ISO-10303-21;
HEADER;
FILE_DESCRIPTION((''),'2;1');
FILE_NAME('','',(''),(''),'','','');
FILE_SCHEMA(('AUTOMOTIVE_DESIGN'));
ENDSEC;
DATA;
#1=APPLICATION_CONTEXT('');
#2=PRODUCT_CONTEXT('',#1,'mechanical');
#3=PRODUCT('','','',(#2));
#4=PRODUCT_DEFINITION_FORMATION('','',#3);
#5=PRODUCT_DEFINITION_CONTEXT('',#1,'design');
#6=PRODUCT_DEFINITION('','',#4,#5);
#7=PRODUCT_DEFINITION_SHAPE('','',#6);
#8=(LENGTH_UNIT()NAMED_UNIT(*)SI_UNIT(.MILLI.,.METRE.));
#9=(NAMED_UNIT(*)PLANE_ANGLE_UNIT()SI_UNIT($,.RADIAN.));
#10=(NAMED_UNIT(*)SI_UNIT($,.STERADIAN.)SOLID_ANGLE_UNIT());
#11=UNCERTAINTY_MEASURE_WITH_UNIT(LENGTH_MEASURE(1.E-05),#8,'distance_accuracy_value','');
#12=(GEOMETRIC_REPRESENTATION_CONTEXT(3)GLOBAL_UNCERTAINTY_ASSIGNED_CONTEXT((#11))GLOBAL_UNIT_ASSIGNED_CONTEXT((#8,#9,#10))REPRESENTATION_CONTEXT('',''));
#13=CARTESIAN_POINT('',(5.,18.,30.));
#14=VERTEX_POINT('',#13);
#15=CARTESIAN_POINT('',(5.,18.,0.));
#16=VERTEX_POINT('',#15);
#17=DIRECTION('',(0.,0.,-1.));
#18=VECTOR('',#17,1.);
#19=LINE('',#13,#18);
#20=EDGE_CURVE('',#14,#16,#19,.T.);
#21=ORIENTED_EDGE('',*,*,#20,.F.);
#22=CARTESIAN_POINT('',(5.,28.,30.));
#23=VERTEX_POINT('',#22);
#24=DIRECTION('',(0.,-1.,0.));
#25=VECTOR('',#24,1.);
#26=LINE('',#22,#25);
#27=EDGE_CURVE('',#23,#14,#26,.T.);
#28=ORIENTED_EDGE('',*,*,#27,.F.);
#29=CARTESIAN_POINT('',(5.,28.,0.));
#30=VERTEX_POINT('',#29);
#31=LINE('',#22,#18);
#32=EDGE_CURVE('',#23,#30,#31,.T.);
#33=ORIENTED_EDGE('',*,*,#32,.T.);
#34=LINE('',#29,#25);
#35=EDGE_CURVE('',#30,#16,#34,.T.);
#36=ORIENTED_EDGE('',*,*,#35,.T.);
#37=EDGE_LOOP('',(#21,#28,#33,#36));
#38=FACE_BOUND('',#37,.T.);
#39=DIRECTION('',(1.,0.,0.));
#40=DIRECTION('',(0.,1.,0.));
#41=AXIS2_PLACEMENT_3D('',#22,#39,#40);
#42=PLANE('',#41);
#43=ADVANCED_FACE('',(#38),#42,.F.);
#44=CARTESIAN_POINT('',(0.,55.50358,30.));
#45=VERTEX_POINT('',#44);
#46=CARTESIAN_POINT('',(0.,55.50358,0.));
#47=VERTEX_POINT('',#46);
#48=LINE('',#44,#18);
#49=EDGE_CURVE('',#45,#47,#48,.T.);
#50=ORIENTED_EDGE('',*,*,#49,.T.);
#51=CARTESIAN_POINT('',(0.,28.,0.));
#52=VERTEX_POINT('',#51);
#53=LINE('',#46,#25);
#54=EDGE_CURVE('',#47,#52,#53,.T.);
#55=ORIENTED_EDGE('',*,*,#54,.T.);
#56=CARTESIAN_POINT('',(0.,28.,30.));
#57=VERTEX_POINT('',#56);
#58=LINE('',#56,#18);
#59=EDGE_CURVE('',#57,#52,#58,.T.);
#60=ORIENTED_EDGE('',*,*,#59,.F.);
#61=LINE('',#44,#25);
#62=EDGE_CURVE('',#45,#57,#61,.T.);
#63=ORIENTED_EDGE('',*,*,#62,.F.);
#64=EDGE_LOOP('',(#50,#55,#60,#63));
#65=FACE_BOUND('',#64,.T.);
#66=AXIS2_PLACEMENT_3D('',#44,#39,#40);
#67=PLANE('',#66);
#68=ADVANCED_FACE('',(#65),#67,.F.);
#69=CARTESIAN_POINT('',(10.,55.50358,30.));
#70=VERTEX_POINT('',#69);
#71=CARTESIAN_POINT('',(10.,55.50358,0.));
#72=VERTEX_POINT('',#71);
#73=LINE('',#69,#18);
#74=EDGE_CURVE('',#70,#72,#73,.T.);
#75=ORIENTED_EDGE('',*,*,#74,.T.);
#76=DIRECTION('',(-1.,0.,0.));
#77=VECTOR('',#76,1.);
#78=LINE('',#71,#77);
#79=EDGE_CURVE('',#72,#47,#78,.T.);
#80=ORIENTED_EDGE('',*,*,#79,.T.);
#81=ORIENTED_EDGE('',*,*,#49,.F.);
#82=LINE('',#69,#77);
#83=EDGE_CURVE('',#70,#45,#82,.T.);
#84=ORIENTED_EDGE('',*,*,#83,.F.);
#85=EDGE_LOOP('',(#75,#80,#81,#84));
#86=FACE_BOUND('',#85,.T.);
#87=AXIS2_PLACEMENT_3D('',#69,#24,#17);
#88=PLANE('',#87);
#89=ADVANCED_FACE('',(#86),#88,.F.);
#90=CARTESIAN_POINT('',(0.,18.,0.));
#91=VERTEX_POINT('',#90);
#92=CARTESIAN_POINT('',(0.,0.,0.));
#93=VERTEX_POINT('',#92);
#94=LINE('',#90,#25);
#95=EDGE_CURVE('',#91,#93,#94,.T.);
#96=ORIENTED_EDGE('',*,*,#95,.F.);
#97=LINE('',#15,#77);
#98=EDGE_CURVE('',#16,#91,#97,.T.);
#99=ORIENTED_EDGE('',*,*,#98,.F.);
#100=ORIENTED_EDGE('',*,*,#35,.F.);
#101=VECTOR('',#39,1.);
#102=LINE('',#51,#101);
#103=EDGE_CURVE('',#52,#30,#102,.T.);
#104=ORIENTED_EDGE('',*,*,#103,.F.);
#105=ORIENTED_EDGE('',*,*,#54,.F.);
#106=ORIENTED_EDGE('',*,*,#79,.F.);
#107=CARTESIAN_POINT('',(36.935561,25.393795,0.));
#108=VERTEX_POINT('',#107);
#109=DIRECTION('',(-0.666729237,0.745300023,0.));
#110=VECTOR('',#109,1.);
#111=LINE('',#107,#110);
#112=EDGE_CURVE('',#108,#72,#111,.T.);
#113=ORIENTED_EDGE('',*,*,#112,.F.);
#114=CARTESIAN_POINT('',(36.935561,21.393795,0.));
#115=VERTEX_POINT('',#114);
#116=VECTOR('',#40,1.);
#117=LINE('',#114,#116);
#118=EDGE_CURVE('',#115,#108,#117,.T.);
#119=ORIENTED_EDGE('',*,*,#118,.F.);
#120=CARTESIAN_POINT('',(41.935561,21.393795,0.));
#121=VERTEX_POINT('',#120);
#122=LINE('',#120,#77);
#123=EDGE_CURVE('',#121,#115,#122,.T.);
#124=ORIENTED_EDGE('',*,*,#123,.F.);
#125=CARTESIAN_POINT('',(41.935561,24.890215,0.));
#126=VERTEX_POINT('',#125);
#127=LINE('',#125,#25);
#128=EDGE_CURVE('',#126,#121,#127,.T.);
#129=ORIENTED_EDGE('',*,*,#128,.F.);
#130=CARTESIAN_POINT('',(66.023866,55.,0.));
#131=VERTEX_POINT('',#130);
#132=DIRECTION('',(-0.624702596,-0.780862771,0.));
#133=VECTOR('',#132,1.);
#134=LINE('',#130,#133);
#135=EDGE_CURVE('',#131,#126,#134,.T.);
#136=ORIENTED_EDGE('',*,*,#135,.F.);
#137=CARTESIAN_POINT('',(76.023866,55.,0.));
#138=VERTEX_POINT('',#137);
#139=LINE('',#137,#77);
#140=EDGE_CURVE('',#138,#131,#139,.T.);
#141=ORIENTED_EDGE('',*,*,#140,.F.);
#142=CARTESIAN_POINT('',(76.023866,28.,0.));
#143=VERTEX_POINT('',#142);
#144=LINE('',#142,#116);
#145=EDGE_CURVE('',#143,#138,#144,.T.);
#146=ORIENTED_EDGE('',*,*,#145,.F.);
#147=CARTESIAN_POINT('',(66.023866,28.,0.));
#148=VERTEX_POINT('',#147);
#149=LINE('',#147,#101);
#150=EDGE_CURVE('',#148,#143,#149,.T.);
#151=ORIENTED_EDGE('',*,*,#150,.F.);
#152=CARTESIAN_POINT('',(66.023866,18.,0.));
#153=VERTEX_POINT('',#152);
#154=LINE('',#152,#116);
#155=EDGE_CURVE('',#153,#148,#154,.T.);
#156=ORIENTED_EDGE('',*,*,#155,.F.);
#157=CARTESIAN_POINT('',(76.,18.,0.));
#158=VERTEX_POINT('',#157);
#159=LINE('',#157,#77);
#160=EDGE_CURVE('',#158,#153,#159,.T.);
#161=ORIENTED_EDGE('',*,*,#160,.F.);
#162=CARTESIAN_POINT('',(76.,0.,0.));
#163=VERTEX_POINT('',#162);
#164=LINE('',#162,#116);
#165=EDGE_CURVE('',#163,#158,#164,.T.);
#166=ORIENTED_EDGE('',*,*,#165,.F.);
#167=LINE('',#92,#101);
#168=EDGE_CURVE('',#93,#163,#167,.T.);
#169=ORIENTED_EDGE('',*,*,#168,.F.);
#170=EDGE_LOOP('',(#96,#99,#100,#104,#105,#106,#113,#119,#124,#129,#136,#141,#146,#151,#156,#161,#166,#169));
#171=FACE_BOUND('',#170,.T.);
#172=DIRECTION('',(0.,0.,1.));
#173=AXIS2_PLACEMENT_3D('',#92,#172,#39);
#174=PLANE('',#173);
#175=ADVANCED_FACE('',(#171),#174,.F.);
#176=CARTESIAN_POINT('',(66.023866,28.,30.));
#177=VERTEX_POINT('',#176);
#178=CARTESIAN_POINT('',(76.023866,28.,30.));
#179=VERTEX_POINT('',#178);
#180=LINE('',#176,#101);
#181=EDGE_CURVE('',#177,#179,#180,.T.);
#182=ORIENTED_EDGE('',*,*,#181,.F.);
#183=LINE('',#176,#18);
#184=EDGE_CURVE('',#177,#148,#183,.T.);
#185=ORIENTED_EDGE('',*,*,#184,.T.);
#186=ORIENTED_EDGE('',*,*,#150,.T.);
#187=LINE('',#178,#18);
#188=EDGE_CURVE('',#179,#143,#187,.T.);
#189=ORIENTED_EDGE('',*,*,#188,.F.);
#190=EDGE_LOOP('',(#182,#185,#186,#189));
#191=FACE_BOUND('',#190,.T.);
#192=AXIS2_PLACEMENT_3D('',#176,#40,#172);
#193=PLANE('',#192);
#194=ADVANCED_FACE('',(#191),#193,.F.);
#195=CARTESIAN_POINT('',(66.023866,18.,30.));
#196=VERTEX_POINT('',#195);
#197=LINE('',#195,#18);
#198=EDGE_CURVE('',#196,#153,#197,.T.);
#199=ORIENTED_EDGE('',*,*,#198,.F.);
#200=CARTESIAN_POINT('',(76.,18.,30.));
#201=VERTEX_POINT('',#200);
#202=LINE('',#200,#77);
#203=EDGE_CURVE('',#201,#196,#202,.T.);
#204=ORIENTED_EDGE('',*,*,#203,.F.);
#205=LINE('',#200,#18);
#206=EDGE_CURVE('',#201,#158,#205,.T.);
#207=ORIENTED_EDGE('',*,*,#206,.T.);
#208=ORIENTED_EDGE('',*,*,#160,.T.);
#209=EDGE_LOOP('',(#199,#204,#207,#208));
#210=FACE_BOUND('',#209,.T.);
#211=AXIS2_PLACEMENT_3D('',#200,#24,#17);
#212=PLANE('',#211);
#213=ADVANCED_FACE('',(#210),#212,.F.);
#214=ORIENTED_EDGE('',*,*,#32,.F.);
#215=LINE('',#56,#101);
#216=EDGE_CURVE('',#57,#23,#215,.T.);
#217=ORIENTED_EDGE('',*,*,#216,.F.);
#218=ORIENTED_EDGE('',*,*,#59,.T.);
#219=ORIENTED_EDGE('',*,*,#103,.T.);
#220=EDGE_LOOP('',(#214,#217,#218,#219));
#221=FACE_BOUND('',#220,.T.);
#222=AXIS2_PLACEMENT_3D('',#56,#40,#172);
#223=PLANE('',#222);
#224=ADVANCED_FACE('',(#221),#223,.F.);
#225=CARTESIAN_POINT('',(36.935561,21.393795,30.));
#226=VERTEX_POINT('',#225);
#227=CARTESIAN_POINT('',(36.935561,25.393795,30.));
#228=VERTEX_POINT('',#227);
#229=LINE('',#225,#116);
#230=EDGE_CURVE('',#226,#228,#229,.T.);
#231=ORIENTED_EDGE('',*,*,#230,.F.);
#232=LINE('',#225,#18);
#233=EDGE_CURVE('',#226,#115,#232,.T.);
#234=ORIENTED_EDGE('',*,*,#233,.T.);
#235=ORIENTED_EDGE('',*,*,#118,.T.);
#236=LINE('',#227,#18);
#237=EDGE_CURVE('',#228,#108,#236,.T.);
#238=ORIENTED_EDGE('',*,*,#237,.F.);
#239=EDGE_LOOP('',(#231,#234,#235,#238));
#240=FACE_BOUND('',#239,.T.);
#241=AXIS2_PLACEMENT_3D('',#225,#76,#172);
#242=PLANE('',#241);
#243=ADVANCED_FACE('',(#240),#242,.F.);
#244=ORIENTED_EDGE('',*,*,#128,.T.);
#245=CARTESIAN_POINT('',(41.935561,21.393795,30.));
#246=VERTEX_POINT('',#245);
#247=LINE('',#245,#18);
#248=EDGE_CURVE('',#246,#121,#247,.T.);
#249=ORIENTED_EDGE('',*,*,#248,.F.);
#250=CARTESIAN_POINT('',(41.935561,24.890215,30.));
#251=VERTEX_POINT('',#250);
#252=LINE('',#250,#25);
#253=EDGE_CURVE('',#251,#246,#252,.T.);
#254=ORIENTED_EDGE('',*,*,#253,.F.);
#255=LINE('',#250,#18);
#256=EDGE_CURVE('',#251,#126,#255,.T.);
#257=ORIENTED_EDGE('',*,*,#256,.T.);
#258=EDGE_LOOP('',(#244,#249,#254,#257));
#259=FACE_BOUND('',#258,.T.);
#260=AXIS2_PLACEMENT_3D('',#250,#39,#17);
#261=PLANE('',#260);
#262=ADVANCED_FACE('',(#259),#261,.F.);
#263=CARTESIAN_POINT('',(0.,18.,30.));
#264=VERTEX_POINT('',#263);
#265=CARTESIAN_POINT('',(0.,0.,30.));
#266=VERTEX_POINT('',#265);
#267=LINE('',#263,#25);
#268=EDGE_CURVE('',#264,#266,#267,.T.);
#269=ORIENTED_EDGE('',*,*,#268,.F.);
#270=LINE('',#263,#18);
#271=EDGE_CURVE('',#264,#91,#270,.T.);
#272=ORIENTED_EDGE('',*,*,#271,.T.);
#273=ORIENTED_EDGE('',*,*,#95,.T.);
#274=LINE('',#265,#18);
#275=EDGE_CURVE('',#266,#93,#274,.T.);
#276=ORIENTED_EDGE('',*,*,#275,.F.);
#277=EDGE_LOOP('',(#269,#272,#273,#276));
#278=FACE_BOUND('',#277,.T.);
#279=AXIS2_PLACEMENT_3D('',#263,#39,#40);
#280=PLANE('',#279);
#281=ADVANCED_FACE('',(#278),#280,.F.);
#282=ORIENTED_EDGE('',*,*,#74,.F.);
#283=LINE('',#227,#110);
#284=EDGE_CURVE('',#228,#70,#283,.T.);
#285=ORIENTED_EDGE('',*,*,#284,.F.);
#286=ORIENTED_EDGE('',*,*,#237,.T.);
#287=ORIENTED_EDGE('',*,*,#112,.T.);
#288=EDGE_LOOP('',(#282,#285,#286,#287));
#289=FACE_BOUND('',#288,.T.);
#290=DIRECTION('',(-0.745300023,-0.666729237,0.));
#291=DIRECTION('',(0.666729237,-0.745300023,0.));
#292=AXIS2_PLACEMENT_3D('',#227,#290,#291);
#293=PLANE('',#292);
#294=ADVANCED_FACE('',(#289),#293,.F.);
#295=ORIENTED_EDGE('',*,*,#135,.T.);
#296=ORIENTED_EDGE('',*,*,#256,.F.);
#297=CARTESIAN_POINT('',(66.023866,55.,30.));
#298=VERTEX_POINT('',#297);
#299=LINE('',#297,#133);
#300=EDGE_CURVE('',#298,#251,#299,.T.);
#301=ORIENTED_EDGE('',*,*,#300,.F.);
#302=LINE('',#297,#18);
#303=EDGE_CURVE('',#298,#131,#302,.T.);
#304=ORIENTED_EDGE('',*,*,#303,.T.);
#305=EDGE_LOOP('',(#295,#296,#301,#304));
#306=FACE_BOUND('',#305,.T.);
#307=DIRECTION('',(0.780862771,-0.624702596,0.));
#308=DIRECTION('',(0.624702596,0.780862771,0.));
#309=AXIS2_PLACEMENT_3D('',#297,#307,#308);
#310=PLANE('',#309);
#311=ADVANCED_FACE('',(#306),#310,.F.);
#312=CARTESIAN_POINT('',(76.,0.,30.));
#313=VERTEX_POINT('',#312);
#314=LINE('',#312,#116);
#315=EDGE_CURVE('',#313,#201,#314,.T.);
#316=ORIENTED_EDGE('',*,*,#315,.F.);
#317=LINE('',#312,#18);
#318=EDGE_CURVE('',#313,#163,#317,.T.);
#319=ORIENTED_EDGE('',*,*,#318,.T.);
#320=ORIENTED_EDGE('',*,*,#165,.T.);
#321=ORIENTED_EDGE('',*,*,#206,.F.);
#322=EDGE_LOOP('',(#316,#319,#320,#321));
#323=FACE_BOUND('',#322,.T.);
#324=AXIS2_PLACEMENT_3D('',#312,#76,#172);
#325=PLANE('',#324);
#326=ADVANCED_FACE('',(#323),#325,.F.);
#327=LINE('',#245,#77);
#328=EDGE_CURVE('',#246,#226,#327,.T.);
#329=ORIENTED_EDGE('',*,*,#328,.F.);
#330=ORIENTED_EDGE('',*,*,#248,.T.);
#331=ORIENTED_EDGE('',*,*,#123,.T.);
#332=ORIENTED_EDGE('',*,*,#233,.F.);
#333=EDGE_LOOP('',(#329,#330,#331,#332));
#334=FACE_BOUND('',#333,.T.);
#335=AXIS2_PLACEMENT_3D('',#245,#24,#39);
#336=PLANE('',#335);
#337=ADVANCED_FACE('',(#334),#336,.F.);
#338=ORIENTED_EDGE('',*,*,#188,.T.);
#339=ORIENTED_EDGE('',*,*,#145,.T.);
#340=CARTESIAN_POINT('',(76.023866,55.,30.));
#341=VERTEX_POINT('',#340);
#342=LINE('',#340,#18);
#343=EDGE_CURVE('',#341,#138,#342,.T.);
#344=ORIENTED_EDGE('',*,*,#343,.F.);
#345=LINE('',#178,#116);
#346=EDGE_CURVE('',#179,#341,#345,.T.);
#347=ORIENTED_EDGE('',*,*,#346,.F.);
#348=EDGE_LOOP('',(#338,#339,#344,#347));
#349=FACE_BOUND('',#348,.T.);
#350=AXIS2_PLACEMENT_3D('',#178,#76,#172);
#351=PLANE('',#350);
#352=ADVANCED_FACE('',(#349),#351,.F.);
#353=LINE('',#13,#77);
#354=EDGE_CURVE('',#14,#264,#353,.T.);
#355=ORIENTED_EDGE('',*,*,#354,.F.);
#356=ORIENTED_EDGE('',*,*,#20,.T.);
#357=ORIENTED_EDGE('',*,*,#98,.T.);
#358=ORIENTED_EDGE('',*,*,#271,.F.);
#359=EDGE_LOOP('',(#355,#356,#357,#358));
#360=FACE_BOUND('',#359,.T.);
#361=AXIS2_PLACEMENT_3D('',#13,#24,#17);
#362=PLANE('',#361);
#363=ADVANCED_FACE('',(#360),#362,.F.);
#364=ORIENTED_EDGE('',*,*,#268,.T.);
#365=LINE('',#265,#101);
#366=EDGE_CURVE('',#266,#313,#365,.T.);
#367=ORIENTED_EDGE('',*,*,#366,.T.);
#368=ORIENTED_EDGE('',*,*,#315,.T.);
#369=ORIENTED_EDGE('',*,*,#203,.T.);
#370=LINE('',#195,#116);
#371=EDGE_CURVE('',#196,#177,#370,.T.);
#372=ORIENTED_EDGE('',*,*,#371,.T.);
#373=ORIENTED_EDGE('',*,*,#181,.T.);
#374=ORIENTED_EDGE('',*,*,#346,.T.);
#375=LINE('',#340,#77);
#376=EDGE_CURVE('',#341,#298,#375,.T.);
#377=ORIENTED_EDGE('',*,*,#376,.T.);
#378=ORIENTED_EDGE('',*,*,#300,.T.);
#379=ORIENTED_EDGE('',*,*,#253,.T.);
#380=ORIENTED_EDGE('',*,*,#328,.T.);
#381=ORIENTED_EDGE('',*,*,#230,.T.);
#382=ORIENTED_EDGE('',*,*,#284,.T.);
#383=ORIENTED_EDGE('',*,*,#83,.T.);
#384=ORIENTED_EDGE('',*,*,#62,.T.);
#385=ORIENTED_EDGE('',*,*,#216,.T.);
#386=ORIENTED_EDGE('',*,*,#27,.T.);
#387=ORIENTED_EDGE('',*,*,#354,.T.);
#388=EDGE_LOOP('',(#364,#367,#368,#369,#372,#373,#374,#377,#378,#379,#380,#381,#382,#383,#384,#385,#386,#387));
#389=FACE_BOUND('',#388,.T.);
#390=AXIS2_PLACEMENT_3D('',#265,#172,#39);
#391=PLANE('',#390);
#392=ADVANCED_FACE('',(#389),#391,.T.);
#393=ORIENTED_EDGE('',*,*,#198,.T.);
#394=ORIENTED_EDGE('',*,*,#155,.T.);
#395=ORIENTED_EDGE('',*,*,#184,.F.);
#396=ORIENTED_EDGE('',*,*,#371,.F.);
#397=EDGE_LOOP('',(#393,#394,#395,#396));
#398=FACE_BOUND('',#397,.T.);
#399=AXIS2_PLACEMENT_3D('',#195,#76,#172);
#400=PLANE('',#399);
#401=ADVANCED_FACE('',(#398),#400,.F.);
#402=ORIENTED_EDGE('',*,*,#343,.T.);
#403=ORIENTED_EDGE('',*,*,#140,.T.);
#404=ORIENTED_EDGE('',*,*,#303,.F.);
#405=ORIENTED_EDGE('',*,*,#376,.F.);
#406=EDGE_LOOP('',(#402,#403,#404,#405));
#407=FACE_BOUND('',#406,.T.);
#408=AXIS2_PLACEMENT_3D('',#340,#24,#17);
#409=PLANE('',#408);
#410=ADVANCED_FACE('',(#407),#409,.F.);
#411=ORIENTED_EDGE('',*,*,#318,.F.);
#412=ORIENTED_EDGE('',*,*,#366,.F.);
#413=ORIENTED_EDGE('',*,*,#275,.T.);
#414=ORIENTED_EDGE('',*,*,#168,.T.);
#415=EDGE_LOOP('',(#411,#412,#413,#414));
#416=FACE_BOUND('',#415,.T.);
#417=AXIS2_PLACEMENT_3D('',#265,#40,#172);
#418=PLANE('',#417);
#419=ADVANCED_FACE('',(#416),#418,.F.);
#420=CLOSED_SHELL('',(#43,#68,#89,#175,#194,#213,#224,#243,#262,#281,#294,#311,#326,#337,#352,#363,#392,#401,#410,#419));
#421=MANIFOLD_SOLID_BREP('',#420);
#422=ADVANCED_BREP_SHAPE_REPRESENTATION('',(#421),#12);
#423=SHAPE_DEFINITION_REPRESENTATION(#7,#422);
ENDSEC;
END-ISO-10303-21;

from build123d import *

# Parameters (mm, degrees)
BOSS_EXTRUDE1_DEPTH = 30


with BuildPart() as part:
    # Sketch1 → Boss-Extrude1 (new body)
    with BuildSketch(Plane.XY):
        Polygon((0, 0), (76, 0), (76, 18), (66.023866348, 18), (66.023866348, 28), (76.023866348, 28), (76.023866348, 55), (66.023866348, 55), (41.935560859, 24.890214797), (41.935560859, 21.393794749), (36.935560859, 21.393794749), (36.935560859, 25.393794749), (10, 55.503579952), (0, 55.503579952), (0, 28), (5, 28), (5, 18), (0, 18), align=None)
    extrude(amount=BOSS_EXTRUDE1_DEPTH)


solid = part.part
